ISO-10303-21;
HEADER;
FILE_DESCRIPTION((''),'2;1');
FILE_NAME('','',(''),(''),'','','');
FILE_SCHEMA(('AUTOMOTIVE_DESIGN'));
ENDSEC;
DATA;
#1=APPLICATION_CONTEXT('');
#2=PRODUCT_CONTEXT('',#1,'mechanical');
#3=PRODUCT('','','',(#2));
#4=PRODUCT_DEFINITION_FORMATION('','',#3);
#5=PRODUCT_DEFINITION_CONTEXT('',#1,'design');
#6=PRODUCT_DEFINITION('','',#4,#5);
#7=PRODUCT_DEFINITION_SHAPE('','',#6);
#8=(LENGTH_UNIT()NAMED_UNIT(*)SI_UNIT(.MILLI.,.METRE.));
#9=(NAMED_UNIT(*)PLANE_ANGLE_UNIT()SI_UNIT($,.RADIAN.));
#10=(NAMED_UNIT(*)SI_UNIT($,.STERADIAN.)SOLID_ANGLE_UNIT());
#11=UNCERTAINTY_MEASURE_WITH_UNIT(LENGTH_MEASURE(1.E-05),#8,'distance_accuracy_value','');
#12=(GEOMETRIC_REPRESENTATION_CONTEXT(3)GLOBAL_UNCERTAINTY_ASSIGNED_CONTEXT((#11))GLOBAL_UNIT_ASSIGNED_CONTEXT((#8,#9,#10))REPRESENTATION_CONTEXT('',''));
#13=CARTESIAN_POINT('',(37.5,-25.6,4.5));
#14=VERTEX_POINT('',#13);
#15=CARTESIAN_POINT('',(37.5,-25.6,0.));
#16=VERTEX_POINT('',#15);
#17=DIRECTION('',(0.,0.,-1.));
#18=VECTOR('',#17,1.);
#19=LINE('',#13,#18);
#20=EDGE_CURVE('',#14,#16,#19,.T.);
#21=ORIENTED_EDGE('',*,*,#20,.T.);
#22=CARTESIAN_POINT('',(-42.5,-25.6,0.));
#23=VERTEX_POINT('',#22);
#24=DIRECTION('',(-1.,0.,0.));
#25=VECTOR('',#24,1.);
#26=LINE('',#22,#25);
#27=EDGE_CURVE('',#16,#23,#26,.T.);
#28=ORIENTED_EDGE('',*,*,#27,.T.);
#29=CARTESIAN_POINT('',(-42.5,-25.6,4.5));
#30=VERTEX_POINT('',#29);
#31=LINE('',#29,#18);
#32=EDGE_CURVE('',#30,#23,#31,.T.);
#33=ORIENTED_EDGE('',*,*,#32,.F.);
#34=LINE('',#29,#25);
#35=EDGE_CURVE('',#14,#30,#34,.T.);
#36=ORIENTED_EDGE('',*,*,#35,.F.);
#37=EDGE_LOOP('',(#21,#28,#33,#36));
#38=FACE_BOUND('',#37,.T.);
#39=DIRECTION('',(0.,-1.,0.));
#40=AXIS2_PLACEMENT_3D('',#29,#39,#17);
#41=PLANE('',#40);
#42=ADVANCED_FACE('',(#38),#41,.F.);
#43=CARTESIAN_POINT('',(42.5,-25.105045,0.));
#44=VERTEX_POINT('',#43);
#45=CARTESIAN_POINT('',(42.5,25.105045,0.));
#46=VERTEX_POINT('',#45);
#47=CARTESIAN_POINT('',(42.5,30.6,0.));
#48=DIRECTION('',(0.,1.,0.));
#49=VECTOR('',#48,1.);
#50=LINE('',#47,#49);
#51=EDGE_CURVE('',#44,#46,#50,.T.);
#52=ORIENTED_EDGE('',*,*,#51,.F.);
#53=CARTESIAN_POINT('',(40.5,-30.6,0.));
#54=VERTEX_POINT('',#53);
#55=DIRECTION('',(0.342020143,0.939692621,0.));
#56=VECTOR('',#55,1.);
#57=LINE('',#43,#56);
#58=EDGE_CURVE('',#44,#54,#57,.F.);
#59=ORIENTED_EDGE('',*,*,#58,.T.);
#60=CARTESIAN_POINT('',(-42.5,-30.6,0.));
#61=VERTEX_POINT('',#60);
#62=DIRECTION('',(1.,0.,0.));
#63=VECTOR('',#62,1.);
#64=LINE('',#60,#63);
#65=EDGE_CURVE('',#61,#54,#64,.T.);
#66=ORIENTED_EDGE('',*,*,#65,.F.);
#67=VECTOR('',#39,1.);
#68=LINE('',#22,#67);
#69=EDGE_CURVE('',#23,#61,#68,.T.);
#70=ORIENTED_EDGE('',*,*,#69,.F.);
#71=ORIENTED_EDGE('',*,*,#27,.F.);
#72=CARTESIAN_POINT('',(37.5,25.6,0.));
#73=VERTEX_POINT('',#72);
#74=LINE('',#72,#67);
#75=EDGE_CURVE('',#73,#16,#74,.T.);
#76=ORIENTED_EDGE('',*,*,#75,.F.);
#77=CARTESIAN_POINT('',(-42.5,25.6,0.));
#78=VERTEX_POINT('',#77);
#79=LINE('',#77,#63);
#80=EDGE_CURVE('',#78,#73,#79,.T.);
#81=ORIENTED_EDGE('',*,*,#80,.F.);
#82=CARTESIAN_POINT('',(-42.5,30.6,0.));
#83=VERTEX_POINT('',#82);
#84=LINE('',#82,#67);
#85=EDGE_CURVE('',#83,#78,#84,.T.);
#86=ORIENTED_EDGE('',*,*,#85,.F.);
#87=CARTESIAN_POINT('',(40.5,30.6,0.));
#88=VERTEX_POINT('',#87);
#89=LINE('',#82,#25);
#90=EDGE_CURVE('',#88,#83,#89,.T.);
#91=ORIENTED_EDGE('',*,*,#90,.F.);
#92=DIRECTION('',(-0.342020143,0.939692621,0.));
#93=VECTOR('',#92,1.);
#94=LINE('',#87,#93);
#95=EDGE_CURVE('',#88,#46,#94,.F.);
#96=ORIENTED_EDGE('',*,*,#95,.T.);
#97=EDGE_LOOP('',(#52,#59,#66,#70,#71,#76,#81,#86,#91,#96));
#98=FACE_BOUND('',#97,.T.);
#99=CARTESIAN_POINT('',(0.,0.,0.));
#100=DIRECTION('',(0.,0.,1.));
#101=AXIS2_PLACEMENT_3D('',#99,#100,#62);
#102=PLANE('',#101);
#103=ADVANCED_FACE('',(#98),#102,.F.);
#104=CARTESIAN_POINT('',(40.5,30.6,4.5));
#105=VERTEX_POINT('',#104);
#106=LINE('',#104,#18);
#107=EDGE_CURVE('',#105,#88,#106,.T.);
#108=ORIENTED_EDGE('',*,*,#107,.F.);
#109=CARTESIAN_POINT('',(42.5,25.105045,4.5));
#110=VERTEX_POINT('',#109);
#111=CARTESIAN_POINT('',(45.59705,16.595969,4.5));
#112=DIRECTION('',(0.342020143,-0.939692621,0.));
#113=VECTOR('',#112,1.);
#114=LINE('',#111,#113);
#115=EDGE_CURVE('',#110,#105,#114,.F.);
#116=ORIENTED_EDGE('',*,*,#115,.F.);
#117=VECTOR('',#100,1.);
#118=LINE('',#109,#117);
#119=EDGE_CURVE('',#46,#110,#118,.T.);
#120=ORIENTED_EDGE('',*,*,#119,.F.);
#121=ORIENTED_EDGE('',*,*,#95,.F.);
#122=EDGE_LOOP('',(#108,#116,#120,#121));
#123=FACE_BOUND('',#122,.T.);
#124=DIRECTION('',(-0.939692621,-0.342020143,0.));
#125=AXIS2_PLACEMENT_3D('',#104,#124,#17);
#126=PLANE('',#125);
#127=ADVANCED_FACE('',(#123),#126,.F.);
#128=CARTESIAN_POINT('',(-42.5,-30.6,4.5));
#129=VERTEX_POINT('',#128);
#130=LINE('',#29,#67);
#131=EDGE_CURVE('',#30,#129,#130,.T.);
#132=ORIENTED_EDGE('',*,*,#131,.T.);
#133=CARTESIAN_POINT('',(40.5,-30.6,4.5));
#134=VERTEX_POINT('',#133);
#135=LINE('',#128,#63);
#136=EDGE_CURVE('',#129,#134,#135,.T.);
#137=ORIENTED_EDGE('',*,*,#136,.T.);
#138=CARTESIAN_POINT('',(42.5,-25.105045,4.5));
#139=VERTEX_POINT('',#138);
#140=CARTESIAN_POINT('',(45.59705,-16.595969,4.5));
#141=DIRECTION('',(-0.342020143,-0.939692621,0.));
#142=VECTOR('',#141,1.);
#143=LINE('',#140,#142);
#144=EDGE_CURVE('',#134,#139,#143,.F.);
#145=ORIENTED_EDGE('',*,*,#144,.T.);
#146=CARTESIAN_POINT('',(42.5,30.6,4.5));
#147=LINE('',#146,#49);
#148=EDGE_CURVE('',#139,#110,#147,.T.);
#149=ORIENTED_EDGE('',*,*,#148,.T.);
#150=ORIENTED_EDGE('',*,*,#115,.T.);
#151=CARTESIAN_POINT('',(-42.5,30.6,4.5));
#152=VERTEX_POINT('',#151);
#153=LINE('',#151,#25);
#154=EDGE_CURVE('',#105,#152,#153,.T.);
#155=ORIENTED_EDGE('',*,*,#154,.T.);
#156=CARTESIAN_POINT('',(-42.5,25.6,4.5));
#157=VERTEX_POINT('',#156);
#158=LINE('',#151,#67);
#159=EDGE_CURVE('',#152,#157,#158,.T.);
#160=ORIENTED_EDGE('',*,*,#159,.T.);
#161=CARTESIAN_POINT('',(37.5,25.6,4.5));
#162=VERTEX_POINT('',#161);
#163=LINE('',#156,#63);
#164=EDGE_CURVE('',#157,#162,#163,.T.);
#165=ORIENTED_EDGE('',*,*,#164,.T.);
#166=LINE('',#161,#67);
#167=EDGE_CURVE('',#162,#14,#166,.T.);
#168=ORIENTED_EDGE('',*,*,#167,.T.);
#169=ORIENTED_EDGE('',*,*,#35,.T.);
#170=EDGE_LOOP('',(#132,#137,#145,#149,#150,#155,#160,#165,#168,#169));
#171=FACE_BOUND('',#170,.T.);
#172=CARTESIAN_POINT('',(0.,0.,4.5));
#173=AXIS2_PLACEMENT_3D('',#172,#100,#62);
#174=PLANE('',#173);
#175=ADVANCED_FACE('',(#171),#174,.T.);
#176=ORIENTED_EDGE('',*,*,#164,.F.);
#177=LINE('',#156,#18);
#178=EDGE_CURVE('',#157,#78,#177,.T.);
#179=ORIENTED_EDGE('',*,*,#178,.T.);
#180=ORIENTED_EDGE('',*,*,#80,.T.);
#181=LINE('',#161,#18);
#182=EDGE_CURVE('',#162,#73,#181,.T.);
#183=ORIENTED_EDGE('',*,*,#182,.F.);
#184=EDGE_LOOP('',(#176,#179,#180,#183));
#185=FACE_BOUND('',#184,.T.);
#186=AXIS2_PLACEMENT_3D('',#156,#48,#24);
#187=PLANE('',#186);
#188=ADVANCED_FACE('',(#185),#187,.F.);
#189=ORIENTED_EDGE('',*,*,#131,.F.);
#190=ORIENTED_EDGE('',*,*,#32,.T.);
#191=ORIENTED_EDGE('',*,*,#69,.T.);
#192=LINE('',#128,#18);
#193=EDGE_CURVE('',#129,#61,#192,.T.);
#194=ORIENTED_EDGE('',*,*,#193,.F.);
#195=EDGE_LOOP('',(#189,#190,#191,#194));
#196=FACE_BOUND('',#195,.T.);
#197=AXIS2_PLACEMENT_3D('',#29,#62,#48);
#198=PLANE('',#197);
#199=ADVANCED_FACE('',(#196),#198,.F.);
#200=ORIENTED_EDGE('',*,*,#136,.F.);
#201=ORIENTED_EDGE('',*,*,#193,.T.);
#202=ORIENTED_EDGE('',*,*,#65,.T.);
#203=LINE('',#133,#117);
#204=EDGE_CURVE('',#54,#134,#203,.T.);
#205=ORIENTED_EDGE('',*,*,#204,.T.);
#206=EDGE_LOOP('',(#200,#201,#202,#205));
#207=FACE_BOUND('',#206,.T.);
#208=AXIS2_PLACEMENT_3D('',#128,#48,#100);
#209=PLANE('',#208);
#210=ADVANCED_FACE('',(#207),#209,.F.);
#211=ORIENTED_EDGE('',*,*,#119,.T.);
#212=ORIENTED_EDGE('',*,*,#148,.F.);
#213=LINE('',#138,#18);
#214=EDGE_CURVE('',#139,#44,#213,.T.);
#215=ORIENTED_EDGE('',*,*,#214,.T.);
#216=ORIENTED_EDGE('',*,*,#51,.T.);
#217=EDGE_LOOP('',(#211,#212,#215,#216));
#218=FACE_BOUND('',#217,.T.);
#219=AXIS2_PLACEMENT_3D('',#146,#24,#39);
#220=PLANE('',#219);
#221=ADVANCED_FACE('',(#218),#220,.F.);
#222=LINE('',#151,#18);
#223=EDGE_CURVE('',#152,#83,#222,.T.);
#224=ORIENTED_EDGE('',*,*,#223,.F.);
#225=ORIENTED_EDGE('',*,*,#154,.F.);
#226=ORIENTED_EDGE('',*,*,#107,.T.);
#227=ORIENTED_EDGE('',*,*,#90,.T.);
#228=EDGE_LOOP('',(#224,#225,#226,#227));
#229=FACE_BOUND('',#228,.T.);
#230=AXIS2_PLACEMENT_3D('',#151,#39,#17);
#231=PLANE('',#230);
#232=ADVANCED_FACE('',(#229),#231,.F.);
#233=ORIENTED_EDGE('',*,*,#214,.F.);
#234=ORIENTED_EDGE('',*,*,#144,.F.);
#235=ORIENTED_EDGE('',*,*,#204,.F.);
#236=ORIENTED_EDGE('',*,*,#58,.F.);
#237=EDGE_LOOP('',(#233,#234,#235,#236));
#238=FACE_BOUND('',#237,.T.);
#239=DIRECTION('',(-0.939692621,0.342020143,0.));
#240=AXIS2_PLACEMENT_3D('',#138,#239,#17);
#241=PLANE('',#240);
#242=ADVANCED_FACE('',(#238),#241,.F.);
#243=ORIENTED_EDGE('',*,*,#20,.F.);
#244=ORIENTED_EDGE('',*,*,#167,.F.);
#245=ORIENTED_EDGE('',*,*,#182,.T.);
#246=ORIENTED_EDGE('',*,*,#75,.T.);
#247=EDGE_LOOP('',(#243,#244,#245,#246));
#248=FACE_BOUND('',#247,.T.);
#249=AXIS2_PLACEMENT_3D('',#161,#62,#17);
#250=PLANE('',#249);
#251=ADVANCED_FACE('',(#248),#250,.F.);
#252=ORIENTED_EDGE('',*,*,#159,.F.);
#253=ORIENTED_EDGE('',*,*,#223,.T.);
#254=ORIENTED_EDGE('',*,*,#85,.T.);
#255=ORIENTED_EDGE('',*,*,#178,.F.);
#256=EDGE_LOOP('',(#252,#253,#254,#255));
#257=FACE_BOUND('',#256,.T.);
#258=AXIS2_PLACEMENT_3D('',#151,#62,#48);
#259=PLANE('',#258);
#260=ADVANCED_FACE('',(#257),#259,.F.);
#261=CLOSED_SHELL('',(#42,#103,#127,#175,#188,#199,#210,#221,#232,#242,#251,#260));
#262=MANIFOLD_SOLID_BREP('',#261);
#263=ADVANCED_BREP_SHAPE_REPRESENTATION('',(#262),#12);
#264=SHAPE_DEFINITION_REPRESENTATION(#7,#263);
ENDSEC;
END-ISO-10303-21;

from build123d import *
from OCP.BRepFilletAPI import BRepFilletAPI_MakeChamfer

# Parameters (mm, degrees)
BOSS_EXTRUDE1_DEPTH = 4.5
CHAMFER1_SIZE       = 2
CHAMFER1_SIZE2      = 5.494954839


with BuildPart() as part:
    # Sketch1 → Boss-Extrude1 (new body)
    with BuildSketch(Plane.XY):
        Polygon((-42.5, -25.6), (-42.5, -30.6), (42.5, -30.6), (42.5, 30.6), (-42.5, 30.6), (-42.5, 25.6), (37.5, 25.6), (37.5, -25.6), align=None)
    extrude(amount=BOSS_EXTRUDE1_DEPTH)

    # Chamfer1: one chamfer whose edges measure the first distance from different faces: ONE call of the kernel's chamfer builder (chamfer() names one face for all edges)
    chamfer1_edges_1 = [part.edges().sort_by_distance(p)[0] for p in [
        (42.5, -30.6, 2.25),
    ]]
    chamfer1_side_1 = [part.faces().sort_by_distance(p)[0] for p in [
        (0, -30.6, 2.25),
    ]]
    chamfer1_edges_2 = [part.edges().sort_by_distance(p)[0] for p in [
        (42.5, 30.6, 2.25),
    ]]
    chamfer1_side_2 = [part.faces().sort_by_distance(p)[0] for p in [
        (0, 30.6, 2.25),
    ]]
    chamfer1 = BRepFilletAPI_MakeChamfer(part.part.solid().wrapped)
    for e in chamfer1_edges_1:
        chamfer1.Add(CHAMFER1_SIZE, CHAMFER1_SIZE2, e.wrapped, chamfer1_side_1[0].wrapped)  # the first distance lies on this face
    for e in chamfer1_edges_2:
        chamfer1.Add(CHAMFER1_SIZE, CHAMFER1_SIZE2, e.wrapped, chamfer1_side_2[0].wrapped)  # the first distance lies on this face
    add(Compound.cast(chamfer1.Shape()), mode=Mode.REPLACE)


solid = part.part
